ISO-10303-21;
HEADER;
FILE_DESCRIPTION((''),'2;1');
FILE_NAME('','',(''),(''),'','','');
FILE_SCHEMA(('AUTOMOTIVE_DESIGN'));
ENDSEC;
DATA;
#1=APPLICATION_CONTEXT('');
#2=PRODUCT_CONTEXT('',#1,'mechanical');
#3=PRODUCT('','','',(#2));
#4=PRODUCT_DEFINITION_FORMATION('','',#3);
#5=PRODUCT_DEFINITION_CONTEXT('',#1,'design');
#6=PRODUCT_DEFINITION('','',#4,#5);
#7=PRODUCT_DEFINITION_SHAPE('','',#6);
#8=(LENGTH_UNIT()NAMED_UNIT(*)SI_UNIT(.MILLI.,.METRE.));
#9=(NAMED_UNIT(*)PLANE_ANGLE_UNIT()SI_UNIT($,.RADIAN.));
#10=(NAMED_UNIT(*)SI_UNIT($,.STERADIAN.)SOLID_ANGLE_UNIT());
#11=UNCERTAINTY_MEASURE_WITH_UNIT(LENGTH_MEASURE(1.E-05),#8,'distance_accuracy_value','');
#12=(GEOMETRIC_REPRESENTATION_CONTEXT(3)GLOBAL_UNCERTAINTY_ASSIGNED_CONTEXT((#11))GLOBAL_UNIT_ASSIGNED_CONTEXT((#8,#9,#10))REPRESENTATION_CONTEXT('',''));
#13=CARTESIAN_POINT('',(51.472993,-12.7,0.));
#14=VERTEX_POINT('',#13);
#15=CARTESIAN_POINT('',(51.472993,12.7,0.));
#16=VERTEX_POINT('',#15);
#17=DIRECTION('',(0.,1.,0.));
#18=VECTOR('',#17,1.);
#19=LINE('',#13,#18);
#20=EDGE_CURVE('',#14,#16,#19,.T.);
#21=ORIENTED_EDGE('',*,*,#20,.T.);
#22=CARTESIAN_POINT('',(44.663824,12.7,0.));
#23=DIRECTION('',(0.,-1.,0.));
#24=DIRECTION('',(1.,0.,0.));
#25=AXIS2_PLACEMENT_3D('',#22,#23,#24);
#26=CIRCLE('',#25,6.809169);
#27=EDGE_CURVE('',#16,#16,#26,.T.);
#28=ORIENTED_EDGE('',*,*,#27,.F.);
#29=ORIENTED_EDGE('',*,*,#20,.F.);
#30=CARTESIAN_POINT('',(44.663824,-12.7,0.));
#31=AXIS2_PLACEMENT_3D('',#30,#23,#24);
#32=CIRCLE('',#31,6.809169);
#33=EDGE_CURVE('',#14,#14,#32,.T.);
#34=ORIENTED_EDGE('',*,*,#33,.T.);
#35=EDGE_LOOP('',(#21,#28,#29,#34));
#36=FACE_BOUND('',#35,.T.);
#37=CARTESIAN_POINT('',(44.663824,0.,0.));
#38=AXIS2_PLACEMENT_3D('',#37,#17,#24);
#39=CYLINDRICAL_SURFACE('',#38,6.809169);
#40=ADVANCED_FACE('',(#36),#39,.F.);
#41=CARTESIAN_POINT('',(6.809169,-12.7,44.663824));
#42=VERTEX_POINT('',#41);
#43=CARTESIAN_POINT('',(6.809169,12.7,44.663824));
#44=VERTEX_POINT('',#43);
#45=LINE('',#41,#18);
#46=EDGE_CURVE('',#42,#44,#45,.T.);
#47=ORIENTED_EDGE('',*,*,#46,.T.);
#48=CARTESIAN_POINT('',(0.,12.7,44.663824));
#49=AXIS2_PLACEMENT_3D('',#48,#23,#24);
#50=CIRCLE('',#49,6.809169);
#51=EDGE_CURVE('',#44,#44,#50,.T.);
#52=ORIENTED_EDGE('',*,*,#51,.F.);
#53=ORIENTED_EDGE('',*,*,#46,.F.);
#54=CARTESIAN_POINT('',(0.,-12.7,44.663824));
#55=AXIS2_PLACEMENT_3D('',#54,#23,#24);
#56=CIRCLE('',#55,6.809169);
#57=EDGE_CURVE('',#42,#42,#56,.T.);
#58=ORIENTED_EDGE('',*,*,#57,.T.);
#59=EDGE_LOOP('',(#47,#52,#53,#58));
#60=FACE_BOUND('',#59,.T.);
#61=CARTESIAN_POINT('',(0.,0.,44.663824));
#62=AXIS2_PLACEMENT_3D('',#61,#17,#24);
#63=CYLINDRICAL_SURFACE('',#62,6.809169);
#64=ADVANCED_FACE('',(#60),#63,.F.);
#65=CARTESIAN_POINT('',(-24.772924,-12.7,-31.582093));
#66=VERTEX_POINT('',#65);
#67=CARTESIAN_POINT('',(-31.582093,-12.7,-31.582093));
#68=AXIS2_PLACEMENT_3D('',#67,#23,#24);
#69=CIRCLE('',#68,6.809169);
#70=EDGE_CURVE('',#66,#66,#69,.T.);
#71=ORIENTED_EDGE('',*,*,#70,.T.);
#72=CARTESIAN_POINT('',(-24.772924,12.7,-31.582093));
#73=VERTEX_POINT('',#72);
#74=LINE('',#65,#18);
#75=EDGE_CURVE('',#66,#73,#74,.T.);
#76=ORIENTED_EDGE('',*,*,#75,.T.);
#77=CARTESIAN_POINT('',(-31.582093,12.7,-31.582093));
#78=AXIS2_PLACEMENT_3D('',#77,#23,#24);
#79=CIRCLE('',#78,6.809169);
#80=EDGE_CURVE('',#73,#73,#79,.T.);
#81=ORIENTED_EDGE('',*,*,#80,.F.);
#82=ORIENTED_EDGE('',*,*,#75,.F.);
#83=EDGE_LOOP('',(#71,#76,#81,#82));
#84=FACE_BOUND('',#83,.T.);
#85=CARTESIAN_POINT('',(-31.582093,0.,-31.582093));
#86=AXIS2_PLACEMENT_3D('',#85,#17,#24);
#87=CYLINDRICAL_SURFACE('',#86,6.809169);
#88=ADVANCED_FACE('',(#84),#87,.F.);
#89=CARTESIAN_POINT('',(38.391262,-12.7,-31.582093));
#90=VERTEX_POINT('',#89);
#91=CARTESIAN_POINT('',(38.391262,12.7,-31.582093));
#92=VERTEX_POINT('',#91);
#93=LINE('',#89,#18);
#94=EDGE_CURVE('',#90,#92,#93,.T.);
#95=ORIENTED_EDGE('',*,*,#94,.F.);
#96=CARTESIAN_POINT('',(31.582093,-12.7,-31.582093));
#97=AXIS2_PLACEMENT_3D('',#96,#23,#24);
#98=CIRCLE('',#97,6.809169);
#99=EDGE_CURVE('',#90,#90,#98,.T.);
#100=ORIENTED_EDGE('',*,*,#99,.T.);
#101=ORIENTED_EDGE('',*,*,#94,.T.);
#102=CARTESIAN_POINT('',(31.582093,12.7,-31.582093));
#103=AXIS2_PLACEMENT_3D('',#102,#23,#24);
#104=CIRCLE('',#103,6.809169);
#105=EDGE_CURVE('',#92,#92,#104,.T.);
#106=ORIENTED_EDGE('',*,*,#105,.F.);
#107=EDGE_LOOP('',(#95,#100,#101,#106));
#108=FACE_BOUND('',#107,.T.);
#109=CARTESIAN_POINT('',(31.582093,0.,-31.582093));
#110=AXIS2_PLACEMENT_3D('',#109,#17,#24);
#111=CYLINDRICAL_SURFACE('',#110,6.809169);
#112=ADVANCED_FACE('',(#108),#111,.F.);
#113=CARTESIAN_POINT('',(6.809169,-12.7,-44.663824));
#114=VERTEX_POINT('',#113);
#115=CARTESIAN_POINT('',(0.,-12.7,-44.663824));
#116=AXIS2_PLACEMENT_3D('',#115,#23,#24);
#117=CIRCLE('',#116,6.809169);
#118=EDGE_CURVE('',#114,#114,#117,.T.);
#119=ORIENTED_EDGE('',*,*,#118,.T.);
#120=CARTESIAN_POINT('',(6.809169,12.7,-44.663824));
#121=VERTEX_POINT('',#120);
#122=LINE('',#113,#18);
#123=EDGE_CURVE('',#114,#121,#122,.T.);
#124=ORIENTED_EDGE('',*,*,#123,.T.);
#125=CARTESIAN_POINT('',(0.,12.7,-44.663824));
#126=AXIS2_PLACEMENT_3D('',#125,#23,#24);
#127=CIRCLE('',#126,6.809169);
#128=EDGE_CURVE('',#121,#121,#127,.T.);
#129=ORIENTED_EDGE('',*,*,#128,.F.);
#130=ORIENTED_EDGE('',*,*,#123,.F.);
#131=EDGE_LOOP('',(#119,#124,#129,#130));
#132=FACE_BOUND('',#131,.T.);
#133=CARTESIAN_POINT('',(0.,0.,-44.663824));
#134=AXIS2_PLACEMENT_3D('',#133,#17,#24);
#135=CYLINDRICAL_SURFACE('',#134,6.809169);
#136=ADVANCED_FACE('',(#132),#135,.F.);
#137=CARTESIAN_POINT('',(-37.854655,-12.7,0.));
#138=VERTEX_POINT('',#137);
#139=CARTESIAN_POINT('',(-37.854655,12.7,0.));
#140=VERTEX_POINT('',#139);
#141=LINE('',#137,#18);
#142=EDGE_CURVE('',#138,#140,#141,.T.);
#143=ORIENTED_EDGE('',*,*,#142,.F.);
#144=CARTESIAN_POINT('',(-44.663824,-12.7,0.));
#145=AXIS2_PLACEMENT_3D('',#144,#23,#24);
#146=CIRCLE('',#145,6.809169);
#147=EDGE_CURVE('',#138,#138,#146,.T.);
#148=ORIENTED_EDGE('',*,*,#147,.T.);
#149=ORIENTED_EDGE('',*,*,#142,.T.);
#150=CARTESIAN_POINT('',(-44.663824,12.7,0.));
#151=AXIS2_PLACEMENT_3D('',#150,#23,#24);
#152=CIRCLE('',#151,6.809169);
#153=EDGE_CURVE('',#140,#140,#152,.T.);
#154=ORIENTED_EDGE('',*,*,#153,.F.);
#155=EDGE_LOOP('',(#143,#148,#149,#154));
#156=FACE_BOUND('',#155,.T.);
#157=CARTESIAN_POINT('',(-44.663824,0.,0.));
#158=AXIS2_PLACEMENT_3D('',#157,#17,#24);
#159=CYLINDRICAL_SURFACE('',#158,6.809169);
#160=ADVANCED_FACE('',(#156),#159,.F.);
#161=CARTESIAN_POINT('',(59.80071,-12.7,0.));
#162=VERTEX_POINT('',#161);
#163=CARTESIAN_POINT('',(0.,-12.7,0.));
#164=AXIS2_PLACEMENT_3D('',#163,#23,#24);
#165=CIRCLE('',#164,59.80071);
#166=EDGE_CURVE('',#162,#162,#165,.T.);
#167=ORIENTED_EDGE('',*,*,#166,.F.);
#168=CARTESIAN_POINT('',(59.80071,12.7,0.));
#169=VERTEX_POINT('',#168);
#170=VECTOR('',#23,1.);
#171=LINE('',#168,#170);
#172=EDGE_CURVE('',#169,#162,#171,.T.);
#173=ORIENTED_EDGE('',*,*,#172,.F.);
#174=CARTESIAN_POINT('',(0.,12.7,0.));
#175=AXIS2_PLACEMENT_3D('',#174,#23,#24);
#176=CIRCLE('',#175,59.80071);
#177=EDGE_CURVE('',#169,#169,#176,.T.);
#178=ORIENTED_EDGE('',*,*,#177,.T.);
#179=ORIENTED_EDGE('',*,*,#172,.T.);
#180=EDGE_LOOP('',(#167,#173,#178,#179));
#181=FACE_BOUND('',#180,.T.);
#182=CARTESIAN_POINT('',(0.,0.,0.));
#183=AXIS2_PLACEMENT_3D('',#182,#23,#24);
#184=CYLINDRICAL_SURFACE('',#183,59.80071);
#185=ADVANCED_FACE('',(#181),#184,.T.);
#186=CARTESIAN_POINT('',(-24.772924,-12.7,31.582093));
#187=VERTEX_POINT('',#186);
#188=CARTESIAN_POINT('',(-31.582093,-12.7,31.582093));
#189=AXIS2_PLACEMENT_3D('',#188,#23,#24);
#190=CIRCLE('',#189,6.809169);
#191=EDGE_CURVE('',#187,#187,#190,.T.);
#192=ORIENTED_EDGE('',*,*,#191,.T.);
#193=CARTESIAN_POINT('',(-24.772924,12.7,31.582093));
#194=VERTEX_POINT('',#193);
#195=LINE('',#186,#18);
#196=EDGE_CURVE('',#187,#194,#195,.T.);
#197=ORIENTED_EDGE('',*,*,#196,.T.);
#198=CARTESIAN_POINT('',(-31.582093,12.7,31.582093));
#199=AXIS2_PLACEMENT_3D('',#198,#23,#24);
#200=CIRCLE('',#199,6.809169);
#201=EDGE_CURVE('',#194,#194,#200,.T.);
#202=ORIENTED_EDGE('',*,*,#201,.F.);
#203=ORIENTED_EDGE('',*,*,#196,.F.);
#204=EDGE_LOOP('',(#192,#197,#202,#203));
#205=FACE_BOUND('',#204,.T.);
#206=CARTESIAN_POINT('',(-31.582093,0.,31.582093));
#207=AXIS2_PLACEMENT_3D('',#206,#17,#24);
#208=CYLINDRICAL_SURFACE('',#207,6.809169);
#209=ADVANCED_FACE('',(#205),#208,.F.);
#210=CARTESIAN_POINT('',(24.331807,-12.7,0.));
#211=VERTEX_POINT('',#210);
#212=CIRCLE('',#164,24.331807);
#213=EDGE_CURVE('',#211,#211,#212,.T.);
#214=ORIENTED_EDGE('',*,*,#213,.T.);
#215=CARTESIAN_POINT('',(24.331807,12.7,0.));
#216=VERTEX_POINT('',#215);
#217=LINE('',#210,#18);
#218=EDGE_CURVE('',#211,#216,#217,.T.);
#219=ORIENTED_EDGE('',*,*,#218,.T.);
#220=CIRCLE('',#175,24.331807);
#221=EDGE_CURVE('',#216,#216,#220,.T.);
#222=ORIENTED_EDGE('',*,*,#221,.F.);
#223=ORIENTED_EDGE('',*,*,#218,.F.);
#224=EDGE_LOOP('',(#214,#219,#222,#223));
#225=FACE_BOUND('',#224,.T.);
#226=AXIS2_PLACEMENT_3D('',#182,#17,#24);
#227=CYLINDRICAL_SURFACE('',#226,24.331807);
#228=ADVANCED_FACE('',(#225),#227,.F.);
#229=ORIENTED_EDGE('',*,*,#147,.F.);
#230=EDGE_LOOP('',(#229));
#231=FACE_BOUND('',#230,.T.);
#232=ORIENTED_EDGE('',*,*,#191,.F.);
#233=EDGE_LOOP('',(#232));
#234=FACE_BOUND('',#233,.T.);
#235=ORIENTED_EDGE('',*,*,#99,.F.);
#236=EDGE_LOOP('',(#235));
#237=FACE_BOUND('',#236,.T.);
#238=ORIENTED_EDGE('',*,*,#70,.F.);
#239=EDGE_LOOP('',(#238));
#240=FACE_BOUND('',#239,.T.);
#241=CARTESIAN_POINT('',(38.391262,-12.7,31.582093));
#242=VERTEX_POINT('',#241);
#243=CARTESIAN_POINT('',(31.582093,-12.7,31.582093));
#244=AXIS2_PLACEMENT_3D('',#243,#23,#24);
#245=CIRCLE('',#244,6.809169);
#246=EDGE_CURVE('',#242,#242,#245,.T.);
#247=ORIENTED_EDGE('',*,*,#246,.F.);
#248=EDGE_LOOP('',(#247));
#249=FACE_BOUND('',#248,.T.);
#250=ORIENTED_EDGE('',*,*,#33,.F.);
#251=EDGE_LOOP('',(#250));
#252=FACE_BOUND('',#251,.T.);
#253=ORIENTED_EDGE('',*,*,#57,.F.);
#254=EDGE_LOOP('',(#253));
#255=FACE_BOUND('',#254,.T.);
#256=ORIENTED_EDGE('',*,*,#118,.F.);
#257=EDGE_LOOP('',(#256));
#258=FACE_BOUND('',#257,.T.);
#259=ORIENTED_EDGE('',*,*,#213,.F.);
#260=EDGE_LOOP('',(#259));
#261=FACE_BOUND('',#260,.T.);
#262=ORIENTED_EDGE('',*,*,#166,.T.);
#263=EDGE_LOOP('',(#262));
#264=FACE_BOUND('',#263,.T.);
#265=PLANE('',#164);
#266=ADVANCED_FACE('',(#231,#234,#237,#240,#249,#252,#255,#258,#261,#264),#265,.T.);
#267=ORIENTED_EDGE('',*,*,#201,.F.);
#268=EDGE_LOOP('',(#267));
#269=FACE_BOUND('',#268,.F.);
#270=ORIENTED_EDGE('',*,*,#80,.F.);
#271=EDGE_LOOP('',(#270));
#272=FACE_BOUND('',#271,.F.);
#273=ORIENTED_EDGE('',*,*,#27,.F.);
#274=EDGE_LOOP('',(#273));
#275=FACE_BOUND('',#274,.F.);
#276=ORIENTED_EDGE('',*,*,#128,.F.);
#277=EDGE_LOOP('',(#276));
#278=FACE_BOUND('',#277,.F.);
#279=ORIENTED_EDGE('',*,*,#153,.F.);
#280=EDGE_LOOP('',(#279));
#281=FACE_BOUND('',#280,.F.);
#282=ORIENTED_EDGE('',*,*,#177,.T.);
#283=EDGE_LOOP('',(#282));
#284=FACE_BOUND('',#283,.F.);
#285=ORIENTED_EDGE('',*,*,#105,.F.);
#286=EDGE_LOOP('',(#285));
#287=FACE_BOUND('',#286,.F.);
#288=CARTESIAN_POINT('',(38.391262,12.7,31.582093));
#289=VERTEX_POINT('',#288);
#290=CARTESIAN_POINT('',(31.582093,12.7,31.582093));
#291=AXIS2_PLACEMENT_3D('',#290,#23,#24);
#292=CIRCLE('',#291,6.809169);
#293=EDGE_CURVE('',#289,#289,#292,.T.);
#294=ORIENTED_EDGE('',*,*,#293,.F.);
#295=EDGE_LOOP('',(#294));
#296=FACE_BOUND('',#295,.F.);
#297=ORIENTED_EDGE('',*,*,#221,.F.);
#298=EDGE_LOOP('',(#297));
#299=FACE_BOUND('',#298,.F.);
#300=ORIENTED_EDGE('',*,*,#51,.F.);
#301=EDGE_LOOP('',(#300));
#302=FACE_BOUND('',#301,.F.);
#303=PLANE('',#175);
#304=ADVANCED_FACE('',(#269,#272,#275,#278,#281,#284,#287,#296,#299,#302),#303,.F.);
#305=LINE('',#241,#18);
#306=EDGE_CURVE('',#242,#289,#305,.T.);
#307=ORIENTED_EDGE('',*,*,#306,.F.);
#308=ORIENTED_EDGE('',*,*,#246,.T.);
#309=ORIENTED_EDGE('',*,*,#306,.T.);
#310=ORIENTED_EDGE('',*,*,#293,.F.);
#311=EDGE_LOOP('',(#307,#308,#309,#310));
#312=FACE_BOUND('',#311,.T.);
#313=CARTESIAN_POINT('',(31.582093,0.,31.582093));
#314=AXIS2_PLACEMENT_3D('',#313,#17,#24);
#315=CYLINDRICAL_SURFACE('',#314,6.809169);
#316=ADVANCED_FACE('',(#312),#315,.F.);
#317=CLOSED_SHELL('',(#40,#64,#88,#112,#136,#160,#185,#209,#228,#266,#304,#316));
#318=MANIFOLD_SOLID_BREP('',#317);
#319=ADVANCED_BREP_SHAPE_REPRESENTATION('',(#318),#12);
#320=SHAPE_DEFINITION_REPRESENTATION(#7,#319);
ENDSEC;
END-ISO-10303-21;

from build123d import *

# Parameters (mm, degrees)
F0_R     = 59.80071
F0_R_2   = 6.809169
F0_R_3   = 24.331807
F1_DEPTH = 12.7


with BuildPart() as f1:
    # F0 (on Front) → F1 (new body, symmetric)
    with BuildSketch(Plane.XZ):
        Circle(F0_R)
        with Locations((-31.582093, -31.582093)):
            Circle(F0_R_2, mode=Mode.SUBTRACT)
        with Locations((0, -44.663824)):
            Circle(F0_R_2, mode=Mode.SUBTRACT)
        with Locations((31.582093, -31.582093)):
            Circle(F0_R_2, mode=Mode.SUBTRACT)
        with Locations((-44.663824, 0)):
            Circle(F0_R_2, mode=Mode.SUBTRACT)
        with Locations((-31.582093, 31.582093)):
            Circle(F0_R_2, mode=Mode.SUBTRACT)
        Circle(F0_R_3, mode=Mode.SUBTRACT)
        with Locations((44.663824, 0)):
            Circle(F0_R_2, mode=Mode.SUBTRACT)
        with Locations((0, 44.663824)):
            Circle(F0_R_2, mode=Mode.SUBTRACT)
        with Locations((31.582093, 31.582093)):
            Circle(F0_R_2, mode=Mode.SUBTRACT)
    extrude(amount=F1_DEPTH, both=True)


solid = f1.part
